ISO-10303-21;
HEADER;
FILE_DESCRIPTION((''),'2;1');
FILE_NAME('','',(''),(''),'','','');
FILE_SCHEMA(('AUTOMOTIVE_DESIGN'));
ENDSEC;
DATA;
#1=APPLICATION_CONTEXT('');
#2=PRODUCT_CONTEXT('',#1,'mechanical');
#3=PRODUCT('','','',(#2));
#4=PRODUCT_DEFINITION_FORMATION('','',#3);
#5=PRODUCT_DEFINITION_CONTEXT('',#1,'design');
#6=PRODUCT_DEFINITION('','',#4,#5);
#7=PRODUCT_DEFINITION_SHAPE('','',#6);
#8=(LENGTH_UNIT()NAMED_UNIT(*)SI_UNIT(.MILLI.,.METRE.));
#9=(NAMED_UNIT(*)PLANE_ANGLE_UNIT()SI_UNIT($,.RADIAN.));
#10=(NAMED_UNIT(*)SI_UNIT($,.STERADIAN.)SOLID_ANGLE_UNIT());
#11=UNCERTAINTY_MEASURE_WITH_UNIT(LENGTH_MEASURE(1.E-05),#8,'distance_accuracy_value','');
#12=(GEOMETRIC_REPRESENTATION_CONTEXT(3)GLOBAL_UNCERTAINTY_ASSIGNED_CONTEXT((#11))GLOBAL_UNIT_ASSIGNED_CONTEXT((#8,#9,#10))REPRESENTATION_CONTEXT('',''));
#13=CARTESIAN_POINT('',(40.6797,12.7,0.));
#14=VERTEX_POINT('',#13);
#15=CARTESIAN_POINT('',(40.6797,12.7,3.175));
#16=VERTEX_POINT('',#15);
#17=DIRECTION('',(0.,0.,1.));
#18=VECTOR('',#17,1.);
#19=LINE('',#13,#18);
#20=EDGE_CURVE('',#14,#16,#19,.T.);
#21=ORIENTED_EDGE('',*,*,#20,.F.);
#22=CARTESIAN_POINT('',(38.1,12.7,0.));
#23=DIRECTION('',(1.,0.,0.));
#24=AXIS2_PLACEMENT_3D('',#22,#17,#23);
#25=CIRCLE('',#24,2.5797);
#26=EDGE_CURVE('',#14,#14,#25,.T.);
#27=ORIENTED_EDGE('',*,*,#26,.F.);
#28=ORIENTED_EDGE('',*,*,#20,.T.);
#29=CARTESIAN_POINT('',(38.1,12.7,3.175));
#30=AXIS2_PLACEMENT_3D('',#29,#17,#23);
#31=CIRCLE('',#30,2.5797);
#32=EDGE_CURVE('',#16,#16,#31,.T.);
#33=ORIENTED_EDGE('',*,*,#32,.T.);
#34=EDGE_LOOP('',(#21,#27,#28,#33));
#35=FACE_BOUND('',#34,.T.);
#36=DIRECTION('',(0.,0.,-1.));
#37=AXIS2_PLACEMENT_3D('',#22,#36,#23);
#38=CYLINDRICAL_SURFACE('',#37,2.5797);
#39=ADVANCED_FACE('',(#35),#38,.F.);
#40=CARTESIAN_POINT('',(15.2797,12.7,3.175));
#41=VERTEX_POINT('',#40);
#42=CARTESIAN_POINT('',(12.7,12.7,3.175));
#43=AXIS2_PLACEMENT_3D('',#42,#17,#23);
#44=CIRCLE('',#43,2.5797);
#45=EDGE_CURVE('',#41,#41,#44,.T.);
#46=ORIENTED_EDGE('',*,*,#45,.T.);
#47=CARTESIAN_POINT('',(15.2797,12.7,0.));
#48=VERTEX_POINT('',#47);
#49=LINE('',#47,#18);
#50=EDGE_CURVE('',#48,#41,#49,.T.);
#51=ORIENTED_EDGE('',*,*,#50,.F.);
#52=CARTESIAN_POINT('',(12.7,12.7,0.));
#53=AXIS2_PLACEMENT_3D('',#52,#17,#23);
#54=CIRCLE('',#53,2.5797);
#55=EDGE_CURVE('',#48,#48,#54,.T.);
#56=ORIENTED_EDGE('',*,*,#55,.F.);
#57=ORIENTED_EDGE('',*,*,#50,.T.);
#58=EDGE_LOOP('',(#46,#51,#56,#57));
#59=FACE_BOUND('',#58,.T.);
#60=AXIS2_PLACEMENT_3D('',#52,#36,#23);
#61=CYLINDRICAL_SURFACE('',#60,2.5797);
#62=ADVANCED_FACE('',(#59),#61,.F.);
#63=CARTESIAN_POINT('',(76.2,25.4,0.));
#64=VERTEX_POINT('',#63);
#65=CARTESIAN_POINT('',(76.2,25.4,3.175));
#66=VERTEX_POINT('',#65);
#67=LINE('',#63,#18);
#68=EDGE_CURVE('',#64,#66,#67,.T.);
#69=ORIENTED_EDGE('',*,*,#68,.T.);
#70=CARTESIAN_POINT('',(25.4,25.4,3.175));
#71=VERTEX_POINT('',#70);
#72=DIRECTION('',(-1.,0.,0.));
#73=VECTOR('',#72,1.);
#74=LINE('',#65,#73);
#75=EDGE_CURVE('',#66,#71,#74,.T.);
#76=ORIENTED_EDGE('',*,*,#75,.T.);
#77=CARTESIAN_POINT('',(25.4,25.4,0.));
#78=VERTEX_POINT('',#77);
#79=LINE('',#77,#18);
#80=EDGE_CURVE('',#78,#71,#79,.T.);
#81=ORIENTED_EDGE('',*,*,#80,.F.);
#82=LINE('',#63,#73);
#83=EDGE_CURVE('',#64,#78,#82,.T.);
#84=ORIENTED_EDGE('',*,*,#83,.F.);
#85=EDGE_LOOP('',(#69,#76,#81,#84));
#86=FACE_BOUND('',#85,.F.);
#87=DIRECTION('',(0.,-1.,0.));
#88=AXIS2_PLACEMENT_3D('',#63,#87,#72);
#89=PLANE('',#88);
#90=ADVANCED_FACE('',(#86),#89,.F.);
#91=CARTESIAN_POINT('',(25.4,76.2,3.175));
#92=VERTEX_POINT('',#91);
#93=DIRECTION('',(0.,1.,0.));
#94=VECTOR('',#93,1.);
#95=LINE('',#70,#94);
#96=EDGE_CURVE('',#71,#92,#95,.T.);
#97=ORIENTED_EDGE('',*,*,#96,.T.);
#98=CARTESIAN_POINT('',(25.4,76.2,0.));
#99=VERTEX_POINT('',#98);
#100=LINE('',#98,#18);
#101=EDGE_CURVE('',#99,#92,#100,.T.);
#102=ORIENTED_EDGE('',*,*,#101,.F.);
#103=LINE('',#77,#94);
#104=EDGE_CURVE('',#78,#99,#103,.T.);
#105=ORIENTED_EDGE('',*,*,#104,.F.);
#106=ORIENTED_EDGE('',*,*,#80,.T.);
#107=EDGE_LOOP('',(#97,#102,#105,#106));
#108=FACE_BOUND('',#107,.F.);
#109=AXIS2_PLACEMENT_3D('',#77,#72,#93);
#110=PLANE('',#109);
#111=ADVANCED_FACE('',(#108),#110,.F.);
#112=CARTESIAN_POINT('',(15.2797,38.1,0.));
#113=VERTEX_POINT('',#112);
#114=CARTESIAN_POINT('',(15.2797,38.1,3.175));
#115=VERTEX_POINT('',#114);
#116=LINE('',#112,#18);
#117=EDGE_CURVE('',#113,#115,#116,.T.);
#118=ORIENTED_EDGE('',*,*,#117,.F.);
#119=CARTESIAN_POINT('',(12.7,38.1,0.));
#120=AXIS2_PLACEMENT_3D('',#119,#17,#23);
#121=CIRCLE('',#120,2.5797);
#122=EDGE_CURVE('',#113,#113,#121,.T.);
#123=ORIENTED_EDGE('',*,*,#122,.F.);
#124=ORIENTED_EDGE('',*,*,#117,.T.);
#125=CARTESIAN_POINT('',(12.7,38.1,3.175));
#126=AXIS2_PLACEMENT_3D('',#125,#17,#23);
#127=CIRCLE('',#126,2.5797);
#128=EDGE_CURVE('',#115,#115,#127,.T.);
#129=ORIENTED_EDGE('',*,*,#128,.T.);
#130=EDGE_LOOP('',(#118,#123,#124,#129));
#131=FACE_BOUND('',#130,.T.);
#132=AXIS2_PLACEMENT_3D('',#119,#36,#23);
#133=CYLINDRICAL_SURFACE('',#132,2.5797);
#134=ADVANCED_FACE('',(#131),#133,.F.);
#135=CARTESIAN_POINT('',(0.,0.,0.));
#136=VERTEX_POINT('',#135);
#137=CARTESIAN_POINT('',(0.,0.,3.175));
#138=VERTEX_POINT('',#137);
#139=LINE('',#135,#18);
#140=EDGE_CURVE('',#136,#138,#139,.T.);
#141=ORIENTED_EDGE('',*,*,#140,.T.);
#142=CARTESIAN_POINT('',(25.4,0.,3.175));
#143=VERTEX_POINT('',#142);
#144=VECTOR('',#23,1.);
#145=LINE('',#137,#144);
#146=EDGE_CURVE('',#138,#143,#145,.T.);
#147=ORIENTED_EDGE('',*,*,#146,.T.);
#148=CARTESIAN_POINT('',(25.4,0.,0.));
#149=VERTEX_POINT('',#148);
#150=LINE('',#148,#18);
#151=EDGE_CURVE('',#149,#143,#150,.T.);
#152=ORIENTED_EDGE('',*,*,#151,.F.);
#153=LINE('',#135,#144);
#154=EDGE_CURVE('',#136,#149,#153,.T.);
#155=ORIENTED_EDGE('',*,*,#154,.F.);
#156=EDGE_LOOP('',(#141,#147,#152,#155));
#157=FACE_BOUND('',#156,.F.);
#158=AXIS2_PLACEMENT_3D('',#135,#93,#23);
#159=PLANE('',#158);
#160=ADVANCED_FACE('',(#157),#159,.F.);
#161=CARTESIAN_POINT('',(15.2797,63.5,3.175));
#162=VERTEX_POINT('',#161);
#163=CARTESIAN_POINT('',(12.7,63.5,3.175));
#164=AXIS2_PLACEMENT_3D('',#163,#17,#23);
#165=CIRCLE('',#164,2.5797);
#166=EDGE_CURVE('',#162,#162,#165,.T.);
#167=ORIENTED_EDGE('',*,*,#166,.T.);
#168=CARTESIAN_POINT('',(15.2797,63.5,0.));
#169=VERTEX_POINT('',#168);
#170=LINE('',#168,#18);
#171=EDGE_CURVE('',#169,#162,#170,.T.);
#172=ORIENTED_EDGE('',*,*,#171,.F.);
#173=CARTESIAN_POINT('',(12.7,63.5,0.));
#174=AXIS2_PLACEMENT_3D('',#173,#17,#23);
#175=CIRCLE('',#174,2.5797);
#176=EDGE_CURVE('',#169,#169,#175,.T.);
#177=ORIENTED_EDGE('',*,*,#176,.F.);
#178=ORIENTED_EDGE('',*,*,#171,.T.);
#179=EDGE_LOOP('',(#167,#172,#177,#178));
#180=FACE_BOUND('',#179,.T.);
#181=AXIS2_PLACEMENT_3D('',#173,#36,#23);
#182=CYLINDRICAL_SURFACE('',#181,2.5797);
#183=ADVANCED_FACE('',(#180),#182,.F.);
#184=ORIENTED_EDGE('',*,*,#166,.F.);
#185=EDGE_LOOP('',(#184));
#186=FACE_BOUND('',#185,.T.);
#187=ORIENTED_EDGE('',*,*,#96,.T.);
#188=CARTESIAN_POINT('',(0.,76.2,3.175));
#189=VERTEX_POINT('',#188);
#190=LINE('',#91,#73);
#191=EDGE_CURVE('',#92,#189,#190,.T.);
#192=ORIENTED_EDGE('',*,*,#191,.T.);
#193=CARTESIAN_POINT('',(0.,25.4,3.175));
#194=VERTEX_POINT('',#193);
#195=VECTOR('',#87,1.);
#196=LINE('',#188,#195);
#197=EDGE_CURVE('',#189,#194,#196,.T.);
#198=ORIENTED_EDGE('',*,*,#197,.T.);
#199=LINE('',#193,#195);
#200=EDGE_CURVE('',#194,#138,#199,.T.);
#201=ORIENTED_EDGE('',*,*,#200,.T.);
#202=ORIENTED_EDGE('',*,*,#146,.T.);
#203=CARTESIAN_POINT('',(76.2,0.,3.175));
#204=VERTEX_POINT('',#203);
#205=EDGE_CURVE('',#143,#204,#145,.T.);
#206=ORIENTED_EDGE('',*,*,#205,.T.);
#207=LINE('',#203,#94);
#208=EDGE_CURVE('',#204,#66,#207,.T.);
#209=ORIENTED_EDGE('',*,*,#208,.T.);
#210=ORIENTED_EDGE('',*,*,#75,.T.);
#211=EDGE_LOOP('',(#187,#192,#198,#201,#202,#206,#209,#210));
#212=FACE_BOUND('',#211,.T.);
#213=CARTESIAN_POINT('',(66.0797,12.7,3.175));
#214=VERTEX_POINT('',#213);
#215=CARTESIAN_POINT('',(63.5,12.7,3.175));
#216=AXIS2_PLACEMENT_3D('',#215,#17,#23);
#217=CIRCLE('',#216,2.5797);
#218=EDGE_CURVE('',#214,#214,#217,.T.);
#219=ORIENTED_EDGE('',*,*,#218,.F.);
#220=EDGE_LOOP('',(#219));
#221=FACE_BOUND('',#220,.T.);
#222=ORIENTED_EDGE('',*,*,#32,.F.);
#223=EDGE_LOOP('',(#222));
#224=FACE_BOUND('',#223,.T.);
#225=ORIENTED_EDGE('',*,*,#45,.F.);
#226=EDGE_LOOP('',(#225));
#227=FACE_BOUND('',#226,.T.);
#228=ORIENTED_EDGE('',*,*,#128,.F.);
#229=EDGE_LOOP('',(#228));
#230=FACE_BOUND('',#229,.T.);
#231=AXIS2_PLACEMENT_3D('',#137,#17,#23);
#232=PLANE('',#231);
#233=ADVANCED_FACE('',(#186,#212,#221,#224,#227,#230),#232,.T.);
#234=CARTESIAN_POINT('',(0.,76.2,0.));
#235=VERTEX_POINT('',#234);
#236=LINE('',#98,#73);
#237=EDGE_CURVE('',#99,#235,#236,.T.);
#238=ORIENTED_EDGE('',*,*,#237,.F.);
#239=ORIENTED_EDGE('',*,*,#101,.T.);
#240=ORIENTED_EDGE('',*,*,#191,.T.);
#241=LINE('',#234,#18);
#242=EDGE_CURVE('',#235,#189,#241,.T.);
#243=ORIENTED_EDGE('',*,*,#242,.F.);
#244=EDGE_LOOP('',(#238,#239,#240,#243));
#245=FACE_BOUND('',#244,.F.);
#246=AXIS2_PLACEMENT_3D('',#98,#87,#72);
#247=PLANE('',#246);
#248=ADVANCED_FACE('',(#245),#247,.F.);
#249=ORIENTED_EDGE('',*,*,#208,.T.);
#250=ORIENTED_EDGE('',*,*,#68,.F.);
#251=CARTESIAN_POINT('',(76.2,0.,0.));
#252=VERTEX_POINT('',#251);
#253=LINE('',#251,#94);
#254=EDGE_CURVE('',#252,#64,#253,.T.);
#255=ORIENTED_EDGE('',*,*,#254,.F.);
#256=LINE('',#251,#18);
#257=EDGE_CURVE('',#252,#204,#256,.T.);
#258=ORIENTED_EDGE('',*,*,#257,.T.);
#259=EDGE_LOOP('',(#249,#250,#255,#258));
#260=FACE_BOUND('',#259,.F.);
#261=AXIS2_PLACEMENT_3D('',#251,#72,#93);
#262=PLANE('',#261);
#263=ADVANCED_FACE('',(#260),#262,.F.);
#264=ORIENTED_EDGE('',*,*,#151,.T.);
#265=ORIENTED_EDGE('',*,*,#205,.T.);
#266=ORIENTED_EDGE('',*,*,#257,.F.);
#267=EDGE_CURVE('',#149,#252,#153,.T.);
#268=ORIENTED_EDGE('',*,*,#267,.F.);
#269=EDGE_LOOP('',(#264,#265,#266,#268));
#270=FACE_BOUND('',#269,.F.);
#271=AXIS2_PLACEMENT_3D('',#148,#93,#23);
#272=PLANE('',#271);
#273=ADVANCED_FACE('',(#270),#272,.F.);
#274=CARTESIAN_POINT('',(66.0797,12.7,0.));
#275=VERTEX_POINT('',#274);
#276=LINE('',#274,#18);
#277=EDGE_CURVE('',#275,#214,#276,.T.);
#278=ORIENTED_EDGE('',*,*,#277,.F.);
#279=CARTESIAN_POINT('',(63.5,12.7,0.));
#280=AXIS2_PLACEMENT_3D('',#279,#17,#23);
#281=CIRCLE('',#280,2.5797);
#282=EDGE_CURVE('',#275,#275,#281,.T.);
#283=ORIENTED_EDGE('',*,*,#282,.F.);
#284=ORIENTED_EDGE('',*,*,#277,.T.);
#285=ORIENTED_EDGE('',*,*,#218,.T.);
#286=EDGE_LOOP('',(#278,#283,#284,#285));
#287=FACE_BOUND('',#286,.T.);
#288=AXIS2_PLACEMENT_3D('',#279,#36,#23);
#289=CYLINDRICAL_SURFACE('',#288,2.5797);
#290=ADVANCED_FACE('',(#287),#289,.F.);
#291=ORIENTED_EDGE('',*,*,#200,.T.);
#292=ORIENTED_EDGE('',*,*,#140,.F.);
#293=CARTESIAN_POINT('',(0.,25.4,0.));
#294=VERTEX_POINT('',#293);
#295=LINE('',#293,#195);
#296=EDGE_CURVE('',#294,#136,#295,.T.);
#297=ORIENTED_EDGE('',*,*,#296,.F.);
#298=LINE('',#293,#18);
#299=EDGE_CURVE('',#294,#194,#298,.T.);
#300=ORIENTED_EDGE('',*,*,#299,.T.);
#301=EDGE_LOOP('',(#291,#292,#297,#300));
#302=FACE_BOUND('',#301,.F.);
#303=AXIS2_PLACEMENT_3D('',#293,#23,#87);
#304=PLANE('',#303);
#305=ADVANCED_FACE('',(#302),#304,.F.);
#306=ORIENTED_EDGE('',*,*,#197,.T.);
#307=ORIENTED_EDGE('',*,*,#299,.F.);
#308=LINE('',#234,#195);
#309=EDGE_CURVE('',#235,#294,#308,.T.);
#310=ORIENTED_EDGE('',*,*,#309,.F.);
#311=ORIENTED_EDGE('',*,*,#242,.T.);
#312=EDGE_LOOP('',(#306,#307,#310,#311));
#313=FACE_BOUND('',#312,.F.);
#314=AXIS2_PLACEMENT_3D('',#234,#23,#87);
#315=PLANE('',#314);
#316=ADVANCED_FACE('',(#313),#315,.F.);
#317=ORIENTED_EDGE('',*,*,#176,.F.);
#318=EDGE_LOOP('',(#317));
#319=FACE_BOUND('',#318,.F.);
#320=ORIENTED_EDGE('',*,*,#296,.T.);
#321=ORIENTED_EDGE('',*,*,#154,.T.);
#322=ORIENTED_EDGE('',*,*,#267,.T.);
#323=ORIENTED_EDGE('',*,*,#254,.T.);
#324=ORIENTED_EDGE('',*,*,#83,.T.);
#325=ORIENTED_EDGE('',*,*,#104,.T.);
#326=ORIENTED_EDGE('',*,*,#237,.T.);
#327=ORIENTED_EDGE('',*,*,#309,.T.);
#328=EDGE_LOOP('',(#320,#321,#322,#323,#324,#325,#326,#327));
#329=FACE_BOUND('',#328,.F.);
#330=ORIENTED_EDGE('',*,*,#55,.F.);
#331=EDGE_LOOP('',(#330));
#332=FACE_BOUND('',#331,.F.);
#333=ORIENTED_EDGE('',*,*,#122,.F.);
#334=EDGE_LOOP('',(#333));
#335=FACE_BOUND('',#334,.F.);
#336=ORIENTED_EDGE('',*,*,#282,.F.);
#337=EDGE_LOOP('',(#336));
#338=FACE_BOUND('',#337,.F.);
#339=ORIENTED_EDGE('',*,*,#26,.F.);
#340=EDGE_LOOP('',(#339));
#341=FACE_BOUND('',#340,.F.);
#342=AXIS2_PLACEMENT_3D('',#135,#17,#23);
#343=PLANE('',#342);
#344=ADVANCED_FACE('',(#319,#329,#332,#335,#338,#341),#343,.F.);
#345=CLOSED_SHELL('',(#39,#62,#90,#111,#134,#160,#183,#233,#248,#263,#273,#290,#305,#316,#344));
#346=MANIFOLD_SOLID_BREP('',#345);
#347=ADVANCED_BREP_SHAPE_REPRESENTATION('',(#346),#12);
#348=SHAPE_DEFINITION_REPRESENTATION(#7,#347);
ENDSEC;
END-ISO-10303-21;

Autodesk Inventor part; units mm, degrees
ref_plane "YZ Plane" through (0, 0, 0) normal (1, 0, 0) x (0, 1, 0)
ref_plane "XZ Plane" through (0, 0, 0) normal (0, 1, 0) x (-1, 0, 0)
ref_plane "XY Plane" through (0, 0, 0) normal (0, 0, 1) x (1, 0, 0)
sketch "Sketch1" plane through (0, 0, 0) normal (0, 0, 1) x (1, 0, 0)
  line L0 (0, 0) -> (76.2, 0)
  line L1 (76.2, 0) -> (76.2, 25.4)
  line L2 (76.2, 25.4) -> (25.4, 25.4)
  line L3 (0, 25.4) -> (0, 0)
  line L4 (0, 0) -> (25.4, 0)
  line L5 (25.4, 25.4) -> (25.4, 76.2)
  line L6 (25.4, 76.2) -> (0, 76.2)
  line L7 (0, 76.2) -> (0, 0)
  line L8 (12.7, 76.2) -> (12.7, 63.5) construction
  line L9 (12.7, 63.5) -> (12.7, 38.1) construction
  line L10 (12.7, 38.1) -> (12.7, 12.7) construction
  line L11 (12.7, 12.7) -> (38.1, 12.7) construction
  line L12 (38.1, 12.7) -> (63.5, 12.7) construction
  circle A0 centre (12.7, 63.5) radius 2.5797
  circle A1 centre (12.7, 38.1) radius 2.5797
  circle A2 centre (12.7, 12.7) radius 2.5797
  circle A3 centre (38.1, 12.7) radius 2.5797
  circle A4 centre (63.5, 12.7) radius 2.5797
  dimension "d0" = 76.2
  dimension "d1" = 25.4
  dimension "d2" = 25.4
  dimension "d3" = 76.2
  dimension "d4" = 12.7
  dimension "d5" = 25.4
  dimension "d6" = 25.4
  dimension "d7" = 25.4
  dimension "d8" = 25.4
  dimension "d9" = 5.1594
extrude "Extrusion1" add sketch "Sketch1" along normal blind 3.175
properties part number "L gusset"
